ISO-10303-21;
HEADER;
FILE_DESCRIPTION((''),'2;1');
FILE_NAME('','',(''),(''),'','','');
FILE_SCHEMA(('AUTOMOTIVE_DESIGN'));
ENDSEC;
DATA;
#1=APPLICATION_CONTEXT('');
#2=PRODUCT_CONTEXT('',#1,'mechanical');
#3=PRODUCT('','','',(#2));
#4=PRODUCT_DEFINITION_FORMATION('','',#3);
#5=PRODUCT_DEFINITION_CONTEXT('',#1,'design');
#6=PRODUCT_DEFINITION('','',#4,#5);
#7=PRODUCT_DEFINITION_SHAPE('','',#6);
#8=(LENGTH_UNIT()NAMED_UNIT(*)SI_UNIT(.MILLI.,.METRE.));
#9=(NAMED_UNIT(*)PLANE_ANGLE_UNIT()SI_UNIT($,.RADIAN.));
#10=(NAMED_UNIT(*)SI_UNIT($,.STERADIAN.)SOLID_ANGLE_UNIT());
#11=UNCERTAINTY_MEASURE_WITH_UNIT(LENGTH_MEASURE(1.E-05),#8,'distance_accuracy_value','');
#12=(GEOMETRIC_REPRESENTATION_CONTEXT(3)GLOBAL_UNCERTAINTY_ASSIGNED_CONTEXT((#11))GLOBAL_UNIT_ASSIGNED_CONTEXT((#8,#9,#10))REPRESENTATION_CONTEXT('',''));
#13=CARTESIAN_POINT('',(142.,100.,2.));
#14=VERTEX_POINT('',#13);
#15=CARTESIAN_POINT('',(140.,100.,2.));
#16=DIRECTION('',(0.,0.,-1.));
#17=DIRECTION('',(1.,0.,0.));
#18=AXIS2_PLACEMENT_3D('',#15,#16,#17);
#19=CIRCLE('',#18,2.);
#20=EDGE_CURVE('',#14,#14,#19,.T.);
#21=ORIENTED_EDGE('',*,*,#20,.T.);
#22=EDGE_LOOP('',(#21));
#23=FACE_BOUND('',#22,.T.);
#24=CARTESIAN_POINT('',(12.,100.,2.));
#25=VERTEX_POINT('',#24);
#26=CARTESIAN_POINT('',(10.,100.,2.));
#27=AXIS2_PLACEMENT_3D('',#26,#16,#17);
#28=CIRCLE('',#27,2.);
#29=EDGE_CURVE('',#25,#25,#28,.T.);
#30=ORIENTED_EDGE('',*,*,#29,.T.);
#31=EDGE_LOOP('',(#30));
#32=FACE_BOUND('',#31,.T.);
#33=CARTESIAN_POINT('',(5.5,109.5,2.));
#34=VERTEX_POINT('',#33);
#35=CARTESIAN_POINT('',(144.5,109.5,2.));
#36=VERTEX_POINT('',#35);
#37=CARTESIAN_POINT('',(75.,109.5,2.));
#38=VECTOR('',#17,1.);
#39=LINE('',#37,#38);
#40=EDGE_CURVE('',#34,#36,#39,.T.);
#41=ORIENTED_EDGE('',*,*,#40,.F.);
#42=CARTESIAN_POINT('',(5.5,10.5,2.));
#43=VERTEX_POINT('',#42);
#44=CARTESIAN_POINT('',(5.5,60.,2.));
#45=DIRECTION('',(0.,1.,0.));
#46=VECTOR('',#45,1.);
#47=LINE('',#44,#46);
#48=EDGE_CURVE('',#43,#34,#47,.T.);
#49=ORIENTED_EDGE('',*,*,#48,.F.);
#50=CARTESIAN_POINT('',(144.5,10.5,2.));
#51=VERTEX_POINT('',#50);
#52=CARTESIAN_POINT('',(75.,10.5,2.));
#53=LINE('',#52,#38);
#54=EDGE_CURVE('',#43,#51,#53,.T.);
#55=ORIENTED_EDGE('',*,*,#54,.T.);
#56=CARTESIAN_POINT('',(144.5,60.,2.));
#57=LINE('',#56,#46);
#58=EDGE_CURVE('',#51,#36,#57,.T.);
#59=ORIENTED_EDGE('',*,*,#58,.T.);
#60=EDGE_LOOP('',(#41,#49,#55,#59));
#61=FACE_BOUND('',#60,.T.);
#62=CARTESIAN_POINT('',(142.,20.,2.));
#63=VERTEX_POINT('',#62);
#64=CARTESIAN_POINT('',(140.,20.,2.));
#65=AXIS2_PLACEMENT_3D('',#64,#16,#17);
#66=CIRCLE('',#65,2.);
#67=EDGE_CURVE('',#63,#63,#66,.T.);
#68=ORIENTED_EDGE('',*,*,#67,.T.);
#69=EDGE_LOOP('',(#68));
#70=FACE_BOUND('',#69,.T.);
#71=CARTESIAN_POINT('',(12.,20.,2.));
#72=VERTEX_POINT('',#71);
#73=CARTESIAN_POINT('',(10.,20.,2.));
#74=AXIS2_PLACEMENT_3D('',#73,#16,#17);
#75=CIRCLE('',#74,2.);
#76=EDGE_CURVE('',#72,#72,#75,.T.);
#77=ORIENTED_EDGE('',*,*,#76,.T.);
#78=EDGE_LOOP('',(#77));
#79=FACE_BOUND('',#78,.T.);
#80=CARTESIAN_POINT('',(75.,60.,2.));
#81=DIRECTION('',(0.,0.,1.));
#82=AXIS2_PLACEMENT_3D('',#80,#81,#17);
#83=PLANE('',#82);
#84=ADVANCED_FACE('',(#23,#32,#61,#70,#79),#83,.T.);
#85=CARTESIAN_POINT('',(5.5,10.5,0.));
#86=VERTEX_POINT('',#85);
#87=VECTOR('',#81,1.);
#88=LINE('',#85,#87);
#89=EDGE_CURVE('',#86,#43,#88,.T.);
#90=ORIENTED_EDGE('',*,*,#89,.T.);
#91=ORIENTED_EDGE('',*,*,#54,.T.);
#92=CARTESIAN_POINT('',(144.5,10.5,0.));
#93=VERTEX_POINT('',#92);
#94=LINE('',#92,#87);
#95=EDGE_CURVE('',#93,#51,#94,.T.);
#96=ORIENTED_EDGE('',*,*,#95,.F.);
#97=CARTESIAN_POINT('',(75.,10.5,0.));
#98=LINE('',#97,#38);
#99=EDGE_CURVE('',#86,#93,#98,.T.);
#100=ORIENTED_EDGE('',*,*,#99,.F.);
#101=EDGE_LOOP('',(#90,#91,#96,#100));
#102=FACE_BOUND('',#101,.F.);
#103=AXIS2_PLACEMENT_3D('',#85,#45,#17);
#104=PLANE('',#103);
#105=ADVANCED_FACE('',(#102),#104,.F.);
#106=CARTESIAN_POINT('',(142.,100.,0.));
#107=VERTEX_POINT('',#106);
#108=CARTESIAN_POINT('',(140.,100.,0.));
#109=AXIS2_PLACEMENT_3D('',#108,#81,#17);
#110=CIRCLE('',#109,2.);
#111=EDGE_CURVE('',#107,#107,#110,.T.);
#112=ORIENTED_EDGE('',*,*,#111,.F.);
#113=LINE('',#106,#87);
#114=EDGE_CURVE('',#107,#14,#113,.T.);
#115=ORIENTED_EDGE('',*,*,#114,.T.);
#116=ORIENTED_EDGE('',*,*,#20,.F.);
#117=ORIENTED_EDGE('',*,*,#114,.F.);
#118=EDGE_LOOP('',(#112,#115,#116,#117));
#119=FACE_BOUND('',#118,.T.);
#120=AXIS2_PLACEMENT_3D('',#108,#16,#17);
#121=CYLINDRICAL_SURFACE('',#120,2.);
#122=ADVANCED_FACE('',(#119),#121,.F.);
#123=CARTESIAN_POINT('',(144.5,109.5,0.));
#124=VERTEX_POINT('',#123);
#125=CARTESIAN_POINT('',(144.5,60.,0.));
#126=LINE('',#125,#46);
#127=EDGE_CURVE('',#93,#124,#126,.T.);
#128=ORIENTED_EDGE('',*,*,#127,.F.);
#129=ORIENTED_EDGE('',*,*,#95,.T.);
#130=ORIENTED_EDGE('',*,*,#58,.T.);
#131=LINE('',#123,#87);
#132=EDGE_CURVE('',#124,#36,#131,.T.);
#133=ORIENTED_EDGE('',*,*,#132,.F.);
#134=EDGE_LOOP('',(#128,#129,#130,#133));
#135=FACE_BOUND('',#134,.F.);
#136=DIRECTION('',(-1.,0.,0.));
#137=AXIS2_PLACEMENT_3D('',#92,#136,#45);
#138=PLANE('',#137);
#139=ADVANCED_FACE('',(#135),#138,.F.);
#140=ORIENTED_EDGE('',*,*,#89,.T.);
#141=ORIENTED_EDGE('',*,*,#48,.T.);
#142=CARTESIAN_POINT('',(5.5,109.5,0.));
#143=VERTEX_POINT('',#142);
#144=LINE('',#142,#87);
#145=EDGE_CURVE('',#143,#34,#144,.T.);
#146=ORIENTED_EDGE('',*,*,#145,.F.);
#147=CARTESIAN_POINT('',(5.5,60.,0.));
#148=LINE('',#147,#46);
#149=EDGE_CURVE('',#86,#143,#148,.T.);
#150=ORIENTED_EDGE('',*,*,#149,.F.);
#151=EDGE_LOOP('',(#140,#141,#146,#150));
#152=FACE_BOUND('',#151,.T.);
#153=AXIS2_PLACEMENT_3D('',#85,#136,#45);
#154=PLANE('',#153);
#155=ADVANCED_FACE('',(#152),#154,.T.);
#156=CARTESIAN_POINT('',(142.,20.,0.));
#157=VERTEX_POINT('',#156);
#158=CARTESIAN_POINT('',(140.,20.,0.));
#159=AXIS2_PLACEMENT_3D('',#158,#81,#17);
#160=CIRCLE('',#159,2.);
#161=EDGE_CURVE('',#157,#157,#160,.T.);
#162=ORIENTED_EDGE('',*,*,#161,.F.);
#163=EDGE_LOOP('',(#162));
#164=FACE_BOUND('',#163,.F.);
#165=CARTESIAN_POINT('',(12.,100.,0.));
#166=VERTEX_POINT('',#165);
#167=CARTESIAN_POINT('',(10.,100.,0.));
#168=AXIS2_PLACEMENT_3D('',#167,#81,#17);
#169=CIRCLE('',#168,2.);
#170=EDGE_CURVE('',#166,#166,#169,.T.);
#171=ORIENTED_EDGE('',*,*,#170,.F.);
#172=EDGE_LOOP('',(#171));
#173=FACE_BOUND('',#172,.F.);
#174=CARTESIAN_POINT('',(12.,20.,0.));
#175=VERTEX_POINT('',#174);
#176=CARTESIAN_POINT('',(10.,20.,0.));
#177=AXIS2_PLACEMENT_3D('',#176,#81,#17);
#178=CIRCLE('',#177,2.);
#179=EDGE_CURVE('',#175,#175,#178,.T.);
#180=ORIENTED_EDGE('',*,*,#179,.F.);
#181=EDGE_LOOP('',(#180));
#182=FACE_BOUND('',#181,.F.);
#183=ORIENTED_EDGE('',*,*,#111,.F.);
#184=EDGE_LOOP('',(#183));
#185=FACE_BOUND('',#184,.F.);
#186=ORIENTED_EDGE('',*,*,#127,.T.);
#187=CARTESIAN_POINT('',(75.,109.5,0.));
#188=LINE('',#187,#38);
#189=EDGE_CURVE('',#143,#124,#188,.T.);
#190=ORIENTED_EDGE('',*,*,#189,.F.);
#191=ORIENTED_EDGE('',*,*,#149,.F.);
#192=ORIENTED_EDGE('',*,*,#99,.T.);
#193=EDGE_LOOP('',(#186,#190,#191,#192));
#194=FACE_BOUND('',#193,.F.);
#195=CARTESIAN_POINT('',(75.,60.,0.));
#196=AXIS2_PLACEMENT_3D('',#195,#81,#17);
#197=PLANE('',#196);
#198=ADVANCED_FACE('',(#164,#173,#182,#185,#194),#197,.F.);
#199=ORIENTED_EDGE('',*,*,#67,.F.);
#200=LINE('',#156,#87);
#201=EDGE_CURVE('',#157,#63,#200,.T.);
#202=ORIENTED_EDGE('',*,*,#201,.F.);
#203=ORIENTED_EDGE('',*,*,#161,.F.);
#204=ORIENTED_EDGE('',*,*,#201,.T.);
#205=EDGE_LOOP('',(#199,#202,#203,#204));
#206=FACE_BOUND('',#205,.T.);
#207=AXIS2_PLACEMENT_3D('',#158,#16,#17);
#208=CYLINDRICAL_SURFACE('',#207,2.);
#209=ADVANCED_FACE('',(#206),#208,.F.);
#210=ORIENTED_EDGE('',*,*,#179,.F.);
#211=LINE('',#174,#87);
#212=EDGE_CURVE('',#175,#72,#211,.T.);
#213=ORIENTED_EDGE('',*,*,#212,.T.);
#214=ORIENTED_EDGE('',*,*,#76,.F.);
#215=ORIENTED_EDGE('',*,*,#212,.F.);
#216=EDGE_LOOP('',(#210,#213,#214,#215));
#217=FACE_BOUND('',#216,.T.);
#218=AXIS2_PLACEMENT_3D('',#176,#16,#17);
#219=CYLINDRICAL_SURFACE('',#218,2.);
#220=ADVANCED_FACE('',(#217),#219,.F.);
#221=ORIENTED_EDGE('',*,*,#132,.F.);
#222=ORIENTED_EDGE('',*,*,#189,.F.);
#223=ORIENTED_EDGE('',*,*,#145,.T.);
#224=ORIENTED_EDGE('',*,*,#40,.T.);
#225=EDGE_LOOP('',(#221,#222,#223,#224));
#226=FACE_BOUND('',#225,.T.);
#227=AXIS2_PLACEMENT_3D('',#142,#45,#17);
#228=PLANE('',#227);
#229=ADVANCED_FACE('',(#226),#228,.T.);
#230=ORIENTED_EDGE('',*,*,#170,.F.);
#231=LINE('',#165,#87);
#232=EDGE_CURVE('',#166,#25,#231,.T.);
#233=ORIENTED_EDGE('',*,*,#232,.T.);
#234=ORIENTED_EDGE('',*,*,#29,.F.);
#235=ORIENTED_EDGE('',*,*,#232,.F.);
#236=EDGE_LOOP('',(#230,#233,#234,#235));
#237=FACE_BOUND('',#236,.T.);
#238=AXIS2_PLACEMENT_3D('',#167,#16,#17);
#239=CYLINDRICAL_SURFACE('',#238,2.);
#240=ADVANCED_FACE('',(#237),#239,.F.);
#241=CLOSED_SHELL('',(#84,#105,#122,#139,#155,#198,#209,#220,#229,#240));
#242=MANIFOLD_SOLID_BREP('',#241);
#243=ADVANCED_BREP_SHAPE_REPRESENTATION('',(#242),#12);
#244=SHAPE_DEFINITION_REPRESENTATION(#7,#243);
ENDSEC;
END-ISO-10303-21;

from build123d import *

# Parameters (mm, degrees)
SKETCH001_W     = 139
SKETCH001_H     = 99
PAD_DEPTH       = 2
SKETCH003_R     = 2
POCKET_DEPTH    = 5
SKETCH004_R     = 2
POCKET001_DEPTH = 5
SKETCH005_R     = 2
POCKET002_DEPTH = 5
SKETCH006_R     = 2
POCKET003_DEPTH = 5


with BuildPart() as part:
    # Sketch001 → Pad (new body)
    with BuildSketch(Plane.XY):
        with Locations((75, 60)):
            Rectangle(SKETCH001_W, SKETCH001_H)
    extrude(amount=PAD_DEPTH)

    # Sketch003 → Pocket (cut)
    with BuildSketch(Plane.XY):
        with Locations((10, 20)):
            Circle(SKETCH003_R)
    extrude(amount=POCKET_DEPTH, mode=Mode.SUBTRACT)

    # Sketch004 → Pocket001 (cut)
    with BuildSketch(Plane.XY):
        with Locations((10, 100)):
            Circle(SKETCH004_R)
    extrude(amount=POCKET001_DEPTH, mode=Mode.SUBTRACT)

    # Sketch005 → Pocket002 (cut)
    with BuildSketch(Plane.XY):
        with Locations((140, 20)):
            Circle(SKETCH005_R)
    extrude(amount=POCKET002_DEPTH, mode=Mode.SUBTRACT)

    # Sketch006 → Pocket003 (cut)
    with BuildSketch(Plane.XY):
        with Locations((140, 100)):
            Circle(SKETCH006_R)
    extrude(amount=POCKET003_DEPTH, mode=Mode.SUBTRACT)


solid = part.part
